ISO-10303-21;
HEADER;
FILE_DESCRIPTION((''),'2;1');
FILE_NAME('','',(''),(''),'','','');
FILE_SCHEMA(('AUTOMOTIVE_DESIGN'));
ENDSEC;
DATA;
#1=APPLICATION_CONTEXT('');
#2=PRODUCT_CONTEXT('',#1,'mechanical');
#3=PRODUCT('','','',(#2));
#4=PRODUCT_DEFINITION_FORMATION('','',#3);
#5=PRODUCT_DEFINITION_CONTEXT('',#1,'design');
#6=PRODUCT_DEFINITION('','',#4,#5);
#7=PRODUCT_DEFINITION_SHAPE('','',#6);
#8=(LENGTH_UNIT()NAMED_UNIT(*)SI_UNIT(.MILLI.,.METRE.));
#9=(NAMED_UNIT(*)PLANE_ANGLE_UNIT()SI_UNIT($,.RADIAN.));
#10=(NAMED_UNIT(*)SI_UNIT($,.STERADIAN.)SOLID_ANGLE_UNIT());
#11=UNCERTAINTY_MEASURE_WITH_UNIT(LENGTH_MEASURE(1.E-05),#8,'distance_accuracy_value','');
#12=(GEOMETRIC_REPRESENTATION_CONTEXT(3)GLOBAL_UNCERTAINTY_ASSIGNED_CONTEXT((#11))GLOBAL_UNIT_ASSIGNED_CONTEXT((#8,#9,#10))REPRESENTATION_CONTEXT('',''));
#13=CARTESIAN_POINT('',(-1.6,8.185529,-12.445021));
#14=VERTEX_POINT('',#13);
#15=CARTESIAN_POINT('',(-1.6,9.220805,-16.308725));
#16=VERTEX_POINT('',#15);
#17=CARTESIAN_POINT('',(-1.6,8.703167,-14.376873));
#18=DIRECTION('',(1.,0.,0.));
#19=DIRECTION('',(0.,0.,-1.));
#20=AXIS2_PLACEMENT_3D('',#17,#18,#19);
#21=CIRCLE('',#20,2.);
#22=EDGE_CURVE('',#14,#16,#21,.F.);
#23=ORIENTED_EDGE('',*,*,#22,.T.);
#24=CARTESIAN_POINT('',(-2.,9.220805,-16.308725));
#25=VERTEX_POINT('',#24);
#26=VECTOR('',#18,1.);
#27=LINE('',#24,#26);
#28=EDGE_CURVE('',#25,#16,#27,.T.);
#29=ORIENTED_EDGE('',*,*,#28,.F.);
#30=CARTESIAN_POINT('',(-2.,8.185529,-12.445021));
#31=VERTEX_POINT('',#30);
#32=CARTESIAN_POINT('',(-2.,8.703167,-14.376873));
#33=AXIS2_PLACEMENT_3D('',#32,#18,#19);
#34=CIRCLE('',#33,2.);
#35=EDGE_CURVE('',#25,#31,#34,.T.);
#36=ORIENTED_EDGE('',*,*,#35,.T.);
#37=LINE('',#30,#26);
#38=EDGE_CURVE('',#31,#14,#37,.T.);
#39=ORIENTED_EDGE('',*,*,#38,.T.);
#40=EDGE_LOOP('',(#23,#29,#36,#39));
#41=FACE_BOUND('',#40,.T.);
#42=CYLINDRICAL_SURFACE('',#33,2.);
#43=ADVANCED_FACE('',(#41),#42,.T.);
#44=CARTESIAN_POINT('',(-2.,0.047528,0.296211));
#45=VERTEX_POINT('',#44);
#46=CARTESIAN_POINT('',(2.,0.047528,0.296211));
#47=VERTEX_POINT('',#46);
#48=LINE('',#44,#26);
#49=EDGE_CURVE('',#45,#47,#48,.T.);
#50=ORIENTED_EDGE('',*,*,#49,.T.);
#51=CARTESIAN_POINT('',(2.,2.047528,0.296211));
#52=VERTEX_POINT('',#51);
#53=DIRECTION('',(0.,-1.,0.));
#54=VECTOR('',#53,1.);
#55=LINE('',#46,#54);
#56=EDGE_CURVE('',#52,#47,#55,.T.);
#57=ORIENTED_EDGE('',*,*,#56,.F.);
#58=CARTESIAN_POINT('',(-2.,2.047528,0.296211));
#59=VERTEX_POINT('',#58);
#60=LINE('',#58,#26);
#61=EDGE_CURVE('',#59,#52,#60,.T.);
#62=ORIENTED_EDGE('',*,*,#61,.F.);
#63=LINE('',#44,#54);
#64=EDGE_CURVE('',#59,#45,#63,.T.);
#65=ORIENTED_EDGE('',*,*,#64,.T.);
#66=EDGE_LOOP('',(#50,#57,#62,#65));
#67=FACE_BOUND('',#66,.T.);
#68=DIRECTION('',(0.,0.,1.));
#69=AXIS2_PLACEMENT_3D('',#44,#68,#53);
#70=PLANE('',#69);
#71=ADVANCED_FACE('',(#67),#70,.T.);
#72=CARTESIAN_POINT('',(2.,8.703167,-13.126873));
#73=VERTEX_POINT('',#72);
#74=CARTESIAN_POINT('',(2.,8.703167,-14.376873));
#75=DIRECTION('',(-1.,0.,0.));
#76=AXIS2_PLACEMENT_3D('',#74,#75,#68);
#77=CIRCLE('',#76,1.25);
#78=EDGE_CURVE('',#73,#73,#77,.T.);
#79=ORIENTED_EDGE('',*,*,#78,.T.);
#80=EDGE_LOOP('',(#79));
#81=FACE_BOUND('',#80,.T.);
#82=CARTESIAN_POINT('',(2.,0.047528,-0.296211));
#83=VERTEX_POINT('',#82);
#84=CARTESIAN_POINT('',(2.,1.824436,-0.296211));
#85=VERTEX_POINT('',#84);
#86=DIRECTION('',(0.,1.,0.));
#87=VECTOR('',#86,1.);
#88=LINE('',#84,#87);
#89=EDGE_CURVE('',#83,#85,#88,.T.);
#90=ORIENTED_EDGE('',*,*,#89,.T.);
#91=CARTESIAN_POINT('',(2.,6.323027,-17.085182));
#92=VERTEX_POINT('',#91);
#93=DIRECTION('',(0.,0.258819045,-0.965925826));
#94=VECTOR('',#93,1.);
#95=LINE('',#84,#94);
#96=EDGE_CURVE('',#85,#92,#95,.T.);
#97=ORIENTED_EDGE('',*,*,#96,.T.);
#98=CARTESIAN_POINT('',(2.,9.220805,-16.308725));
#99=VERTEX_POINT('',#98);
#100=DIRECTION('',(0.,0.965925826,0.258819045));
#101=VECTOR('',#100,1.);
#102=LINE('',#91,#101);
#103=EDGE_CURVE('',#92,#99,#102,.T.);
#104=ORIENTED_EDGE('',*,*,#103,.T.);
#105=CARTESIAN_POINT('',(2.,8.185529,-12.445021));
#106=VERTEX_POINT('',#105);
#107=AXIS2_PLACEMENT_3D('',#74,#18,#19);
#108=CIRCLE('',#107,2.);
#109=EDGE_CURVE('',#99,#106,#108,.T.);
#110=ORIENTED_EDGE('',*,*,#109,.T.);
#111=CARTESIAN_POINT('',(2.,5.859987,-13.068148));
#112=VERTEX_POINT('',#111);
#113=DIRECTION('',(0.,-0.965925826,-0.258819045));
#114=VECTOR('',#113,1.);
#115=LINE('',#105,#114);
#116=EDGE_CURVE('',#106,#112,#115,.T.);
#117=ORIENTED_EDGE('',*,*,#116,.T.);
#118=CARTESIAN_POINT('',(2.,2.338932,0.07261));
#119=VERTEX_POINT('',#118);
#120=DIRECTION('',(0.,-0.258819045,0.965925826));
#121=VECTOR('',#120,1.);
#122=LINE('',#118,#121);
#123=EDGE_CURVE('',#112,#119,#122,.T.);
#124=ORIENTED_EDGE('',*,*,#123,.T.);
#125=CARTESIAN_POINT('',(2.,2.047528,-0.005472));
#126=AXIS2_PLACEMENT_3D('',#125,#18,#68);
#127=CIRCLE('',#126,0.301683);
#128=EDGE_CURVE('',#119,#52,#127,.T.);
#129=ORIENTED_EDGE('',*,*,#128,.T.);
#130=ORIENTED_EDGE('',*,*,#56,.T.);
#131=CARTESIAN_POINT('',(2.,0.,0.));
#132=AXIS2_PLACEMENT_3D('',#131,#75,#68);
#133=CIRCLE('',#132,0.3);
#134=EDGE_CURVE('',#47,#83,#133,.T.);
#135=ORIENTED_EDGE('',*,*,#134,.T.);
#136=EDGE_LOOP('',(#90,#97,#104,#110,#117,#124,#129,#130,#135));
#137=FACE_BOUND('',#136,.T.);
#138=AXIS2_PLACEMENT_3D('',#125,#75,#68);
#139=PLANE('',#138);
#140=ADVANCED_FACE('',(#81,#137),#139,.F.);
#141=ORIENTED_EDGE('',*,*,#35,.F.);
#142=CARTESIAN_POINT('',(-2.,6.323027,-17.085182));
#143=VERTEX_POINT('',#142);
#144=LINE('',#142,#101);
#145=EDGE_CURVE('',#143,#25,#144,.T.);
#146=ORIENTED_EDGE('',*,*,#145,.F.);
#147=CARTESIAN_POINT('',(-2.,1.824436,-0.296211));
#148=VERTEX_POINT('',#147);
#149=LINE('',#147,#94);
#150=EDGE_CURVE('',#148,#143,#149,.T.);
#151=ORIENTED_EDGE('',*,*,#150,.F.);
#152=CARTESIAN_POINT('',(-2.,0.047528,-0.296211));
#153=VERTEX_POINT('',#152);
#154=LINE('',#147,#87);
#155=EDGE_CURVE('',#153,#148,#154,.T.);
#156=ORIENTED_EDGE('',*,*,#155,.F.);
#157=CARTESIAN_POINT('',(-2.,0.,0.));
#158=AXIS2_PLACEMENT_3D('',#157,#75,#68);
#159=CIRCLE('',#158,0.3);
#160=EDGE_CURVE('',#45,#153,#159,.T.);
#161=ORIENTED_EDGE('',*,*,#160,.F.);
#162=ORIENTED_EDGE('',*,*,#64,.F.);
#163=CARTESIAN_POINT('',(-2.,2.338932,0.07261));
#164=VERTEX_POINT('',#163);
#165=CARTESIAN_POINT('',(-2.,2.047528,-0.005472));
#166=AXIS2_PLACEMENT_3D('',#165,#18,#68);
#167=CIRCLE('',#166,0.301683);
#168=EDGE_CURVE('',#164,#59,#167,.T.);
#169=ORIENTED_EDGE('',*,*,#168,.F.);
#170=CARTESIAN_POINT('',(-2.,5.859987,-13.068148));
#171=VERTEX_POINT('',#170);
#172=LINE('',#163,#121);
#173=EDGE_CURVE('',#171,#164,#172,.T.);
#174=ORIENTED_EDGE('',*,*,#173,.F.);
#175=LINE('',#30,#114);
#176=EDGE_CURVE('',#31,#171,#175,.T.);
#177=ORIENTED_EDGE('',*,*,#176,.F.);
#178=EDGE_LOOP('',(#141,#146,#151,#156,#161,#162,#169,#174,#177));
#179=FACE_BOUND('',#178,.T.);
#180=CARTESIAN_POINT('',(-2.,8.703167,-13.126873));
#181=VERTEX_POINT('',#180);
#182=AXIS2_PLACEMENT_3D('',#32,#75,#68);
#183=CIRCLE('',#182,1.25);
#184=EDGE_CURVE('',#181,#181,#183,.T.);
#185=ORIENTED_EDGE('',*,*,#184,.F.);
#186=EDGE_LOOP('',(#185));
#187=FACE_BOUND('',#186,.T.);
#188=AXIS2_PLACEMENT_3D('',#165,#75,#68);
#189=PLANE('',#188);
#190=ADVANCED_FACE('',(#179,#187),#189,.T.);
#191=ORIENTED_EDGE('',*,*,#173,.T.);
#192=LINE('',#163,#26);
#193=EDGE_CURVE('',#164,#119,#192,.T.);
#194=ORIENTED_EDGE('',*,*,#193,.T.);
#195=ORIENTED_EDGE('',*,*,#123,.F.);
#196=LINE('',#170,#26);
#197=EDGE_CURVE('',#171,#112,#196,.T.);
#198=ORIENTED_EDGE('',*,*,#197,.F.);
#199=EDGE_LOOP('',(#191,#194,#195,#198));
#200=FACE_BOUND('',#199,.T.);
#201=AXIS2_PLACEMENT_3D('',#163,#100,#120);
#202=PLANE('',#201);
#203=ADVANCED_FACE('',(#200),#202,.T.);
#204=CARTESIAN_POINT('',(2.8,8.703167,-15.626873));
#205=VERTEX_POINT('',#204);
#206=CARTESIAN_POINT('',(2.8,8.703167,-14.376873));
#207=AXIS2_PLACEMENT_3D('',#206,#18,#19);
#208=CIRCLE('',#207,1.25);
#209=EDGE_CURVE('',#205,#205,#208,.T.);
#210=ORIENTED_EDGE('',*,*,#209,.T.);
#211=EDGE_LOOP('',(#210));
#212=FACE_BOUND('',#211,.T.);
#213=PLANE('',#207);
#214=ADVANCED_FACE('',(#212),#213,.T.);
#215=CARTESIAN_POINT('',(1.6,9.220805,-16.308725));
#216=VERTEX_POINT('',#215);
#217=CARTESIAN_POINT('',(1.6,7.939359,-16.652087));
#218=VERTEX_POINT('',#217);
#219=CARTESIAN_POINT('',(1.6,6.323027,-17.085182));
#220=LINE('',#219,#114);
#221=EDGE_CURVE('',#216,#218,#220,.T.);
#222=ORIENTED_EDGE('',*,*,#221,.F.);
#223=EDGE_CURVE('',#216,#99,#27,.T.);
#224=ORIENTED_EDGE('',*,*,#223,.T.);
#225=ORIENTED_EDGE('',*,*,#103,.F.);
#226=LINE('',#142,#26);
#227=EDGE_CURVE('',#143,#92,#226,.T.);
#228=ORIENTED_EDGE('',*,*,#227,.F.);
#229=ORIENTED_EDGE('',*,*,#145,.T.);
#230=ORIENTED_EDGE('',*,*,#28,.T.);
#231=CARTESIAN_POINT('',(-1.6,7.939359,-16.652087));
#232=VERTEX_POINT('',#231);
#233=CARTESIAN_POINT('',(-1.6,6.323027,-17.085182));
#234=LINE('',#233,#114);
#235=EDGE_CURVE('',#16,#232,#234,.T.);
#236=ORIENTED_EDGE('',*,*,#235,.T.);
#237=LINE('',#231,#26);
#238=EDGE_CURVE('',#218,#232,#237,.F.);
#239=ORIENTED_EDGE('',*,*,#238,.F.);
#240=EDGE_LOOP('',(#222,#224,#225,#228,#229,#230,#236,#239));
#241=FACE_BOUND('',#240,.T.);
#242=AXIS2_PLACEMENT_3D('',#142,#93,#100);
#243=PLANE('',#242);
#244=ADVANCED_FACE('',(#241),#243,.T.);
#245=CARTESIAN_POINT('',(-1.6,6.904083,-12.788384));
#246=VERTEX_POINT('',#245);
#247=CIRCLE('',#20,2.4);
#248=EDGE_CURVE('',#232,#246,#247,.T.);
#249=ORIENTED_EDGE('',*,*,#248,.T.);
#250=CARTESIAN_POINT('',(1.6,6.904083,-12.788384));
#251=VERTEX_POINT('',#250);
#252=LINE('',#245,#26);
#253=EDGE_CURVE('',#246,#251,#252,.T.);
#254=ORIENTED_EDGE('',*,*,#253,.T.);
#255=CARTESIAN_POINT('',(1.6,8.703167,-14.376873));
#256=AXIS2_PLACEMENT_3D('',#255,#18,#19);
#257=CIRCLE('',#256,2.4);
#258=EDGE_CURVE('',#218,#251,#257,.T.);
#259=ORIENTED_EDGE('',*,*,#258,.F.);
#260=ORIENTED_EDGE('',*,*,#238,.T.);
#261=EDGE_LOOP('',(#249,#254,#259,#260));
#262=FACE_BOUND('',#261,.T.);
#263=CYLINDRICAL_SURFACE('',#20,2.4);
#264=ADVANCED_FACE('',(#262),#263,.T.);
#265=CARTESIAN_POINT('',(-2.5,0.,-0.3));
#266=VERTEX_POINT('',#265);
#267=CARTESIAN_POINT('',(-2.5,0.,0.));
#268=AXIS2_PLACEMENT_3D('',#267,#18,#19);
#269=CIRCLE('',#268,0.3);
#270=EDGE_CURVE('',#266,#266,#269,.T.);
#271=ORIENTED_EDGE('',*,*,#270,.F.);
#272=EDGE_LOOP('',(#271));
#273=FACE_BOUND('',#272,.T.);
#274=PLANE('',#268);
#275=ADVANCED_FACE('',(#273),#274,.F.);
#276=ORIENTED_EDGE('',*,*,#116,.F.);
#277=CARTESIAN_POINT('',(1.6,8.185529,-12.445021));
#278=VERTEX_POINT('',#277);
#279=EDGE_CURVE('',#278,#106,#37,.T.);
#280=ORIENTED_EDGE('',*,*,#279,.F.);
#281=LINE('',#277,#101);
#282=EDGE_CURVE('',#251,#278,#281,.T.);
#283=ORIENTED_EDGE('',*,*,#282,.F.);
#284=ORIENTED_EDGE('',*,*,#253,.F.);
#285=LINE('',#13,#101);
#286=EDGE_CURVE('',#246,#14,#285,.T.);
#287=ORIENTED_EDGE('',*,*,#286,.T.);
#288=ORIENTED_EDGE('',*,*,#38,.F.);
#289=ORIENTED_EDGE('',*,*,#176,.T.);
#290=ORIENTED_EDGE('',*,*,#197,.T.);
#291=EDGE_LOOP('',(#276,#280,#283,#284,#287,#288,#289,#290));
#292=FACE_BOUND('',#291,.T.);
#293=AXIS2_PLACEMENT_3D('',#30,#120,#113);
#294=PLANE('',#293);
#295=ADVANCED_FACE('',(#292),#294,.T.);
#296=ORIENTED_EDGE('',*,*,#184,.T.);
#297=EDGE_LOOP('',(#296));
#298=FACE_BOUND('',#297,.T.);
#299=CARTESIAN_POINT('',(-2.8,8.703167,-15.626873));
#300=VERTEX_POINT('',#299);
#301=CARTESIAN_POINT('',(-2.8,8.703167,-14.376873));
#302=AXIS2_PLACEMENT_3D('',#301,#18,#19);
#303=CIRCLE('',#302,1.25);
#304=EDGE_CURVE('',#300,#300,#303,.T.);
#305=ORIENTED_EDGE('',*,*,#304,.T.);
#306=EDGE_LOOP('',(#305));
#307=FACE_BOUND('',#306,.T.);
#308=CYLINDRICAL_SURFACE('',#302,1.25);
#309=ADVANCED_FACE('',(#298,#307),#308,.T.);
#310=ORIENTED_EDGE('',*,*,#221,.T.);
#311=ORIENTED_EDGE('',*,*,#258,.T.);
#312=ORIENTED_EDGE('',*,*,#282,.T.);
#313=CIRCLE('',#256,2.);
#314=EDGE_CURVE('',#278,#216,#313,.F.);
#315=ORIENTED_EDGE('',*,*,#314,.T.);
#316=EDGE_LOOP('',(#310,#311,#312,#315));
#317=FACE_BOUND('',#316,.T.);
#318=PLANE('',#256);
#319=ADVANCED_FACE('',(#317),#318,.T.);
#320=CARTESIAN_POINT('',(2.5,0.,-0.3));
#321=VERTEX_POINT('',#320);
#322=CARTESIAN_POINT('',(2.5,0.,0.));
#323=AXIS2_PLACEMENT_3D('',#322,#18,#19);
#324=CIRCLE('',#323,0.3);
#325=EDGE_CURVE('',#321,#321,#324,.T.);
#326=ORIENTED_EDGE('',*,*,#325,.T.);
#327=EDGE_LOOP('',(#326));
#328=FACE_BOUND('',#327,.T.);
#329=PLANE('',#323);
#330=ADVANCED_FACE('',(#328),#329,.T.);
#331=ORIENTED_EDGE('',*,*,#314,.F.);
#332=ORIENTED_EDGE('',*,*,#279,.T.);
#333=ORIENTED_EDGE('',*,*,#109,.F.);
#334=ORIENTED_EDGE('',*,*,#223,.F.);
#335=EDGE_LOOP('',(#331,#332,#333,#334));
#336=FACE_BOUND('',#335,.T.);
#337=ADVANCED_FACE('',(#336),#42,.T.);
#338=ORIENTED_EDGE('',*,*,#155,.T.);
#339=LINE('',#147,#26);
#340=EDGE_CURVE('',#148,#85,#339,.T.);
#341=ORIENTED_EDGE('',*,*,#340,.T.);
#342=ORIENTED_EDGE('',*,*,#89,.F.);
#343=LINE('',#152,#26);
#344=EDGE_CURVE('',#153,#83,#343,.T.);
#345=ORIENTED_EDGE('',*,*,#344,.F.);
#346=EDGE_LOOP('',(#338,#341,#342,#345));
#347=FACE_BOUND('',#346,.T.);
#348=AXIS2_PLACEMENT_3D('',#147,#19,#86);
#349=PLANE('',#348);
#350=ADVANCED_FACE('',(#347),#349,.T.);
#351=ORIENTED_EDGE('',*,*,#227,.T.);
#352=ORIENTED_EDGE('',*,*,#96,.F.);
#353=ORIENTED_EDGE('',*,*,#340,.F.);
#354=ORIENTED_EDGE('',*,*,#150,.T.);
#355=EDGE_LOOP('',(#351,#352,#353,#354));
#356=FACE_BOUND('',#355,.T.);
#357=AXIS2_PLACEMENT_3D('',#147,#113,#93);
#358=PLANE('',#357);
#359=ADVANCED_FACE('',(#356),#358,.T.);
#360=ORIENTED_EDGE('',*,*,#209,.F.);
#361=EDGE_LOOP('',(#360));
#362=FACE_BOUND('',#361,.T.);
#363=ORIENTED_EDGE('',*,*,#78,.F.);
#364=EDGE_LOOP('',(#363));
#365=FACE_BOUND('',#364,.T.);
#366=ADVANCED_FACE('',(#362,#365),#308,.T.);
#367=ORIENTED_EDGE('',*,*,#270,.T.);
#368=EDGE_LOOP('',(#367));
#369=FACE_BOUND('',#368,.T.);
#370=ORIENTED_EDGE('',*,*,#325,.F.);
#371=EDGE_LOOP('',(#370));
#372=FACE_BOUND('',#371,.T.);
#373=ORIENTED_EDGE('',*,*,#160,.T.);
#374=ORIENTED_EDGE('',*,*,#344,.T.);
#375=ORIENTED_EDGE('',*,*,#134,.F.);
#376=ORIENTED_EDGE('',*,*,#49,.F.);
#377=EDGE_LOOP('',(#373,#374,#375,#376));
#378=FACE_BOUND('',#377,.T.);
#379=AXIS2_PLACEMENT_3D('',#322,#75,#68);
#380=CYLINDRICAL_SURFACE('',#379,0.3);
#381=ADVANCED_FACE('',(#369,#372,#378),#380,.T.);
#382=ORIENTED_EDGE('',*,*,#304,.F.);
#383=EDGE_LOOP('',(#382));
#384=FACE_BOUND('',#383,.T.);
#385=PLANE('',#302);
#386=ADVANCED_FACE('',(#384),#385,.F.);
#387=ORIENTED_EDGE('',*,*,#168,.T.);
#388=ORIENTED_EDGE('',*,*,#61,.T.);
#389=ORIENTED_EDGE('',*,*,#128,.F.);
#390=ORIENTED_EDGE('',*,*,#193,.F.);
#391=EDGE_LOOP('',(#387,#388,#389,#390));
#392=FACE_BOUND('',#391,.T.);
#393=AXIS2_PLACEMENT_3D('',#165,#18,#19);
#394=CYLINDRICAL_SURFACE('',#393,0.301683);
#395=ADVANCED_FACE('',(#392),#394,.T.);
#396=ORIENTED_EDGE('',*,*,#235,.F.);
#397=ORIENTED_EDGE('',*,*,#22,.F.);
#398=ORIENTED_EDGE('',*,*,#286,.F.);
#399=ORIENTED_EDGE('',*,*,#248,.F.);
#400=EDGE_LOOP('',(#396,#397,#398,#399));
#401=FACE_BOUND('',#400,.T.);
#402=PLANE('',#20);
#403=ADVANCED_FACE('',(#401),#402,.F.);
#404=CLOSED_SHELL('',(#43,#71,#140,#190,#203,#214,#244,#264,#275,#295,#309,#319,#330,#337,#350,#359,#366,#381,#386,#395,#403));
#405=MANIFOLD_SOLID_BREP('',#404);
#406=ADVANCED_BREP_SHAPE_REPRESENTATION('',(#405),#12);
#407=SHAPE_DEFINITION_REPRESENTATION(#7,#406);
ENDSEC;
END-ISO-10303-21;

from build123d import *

# Parameters (mm, degrees)
SKETCH1_R                = 0.3
BOSS_EXTRUDE1_DEPTH      = 2.5
BOSS_EXTRUDE2_DEPTH      = 2
BOSS_EXTRUDE2_DEPTH_BACK = 2
BOSS_EXTRUDE3_DEPTH      = 4
BOSS_EXTRUDE4_DEPTH      = 1.6
BOSS_EXTRUDE4_DEPTH_BACK = 1.6
SKETCH5_R                = 2.4
BOSS_EXTRUDE5_DEPTH      = 2.8
BOSS_EXTRUDE5_DEPTH_BACK = 2.8
SKETCH6_R                = 1.25


with BuildPart() as part:
    # Sketch1 → Boss-Extrude1 (new, symmetric)
    with BuildSketch(Plane(origin=(0, 0, 0), x_dir=(0, 0, -1), z_dir=(1, 0, 0))):
        Circle(SKETCH1_R)
    extrude(amount=BOSS_EXTRUDE1_DEPTH, both=True)

    # Sketch2 → Boss-Extrude2 (add, two sides: drawn at the far end of the back side and taken through both)
    with BuildSketch(Plane(origin=(0, 0, 0), x_dir=(0, 0, -1), z_dir=(1, 0, 0)).offset(-BOSS_EXTRUDE2_DEPTH_BACK)):
        with BuildLine():
            Line((-0.296211166, 0.047528362), (-0.296211166, 2.047528362))
            ThreePointArc((-0.296211166, 2.047528362), (-0.233869415, 2.231181239), (-0.07260959, 2.338931609))
            Line((-0.07260959, 2.338931609), (15, 6.377625177))
            Line((15, 6.377625177), (15.153330182, 5.805389146))
            Line((15.153330182, 5.805389146), (0.296211166, 1.824436104))
            Line((0.296211166, 1.824436104), (0.296211166, 0.047528362))
            Line((0.296211166, 0.047528362), (-0.296211166, 0.047528362))
        make_face()
    extrude(amount=BOSS_EXTRUDE2_DEPTH + BOSS_EXTRUDE2_DEPTH_BACK)

    # Sketch4 → Boss-Extrude3 (add)
    with BuildSketch(Plane(origin=(2, 0, 0), x_dir=(0, 0, -1), z_dir=(1, 0, 0))):
        with BuildLine():
            Line((13.22147853, 5.287751056), (17.085181835, 6.323027237))
            Line((17.085181835, 6.323027237), (16.308724699, 9.220804715))
            ThreePointArc((16.308724699, 9.220804715), (13.859234957, 10.635018278), (12.445021394, 8.185528535))
            Line((12.445021394, 8.185528535), (13.22147853, 5.287751056))
        make_face()
    extrude(amount=-BOSS_EXTRUDE3_DEPTH)

    # Sketch5 → Boss-Extrude4 (add, two sides: drawn at the far end of the back side and taken through both)
    with BuildSketch(Plane(origin=(0, 0, 0), x_dir=(0, 0, -1), z_dir=(1, 0, 0)).offset(-BOSS_EXTRUDE4_DEPTH_BACK)):
        with Locations((14.376873047, 8.703166625)):
            Circle(SKETCH5_R)
    extrude(amount=BOSS_EXTRUDE4_DEPTH + BOSS_EXTRUDE4_DEPTH_BACK)

    # Sketch6 → Boss-Extrude5 (add, two sides: drawn at the far end of the back side and taken through both)
    with BuildSketch(Plane(origin=(0, 0, 0), x_dir=(0, 0, -1), z_dir=(1, 0, 0)).offset(-BOSS_EXTRUDE5_DEPTH_BACK)):
        with Locations((14.376873047, 8.703166625)):
            Circle(SKETCH6_R)
    extrude(amount=BOSS_EXTRUDE5_DEPTH + BOSS_EXTRUDE5_DEPTH_BACK)


solid = part.part
